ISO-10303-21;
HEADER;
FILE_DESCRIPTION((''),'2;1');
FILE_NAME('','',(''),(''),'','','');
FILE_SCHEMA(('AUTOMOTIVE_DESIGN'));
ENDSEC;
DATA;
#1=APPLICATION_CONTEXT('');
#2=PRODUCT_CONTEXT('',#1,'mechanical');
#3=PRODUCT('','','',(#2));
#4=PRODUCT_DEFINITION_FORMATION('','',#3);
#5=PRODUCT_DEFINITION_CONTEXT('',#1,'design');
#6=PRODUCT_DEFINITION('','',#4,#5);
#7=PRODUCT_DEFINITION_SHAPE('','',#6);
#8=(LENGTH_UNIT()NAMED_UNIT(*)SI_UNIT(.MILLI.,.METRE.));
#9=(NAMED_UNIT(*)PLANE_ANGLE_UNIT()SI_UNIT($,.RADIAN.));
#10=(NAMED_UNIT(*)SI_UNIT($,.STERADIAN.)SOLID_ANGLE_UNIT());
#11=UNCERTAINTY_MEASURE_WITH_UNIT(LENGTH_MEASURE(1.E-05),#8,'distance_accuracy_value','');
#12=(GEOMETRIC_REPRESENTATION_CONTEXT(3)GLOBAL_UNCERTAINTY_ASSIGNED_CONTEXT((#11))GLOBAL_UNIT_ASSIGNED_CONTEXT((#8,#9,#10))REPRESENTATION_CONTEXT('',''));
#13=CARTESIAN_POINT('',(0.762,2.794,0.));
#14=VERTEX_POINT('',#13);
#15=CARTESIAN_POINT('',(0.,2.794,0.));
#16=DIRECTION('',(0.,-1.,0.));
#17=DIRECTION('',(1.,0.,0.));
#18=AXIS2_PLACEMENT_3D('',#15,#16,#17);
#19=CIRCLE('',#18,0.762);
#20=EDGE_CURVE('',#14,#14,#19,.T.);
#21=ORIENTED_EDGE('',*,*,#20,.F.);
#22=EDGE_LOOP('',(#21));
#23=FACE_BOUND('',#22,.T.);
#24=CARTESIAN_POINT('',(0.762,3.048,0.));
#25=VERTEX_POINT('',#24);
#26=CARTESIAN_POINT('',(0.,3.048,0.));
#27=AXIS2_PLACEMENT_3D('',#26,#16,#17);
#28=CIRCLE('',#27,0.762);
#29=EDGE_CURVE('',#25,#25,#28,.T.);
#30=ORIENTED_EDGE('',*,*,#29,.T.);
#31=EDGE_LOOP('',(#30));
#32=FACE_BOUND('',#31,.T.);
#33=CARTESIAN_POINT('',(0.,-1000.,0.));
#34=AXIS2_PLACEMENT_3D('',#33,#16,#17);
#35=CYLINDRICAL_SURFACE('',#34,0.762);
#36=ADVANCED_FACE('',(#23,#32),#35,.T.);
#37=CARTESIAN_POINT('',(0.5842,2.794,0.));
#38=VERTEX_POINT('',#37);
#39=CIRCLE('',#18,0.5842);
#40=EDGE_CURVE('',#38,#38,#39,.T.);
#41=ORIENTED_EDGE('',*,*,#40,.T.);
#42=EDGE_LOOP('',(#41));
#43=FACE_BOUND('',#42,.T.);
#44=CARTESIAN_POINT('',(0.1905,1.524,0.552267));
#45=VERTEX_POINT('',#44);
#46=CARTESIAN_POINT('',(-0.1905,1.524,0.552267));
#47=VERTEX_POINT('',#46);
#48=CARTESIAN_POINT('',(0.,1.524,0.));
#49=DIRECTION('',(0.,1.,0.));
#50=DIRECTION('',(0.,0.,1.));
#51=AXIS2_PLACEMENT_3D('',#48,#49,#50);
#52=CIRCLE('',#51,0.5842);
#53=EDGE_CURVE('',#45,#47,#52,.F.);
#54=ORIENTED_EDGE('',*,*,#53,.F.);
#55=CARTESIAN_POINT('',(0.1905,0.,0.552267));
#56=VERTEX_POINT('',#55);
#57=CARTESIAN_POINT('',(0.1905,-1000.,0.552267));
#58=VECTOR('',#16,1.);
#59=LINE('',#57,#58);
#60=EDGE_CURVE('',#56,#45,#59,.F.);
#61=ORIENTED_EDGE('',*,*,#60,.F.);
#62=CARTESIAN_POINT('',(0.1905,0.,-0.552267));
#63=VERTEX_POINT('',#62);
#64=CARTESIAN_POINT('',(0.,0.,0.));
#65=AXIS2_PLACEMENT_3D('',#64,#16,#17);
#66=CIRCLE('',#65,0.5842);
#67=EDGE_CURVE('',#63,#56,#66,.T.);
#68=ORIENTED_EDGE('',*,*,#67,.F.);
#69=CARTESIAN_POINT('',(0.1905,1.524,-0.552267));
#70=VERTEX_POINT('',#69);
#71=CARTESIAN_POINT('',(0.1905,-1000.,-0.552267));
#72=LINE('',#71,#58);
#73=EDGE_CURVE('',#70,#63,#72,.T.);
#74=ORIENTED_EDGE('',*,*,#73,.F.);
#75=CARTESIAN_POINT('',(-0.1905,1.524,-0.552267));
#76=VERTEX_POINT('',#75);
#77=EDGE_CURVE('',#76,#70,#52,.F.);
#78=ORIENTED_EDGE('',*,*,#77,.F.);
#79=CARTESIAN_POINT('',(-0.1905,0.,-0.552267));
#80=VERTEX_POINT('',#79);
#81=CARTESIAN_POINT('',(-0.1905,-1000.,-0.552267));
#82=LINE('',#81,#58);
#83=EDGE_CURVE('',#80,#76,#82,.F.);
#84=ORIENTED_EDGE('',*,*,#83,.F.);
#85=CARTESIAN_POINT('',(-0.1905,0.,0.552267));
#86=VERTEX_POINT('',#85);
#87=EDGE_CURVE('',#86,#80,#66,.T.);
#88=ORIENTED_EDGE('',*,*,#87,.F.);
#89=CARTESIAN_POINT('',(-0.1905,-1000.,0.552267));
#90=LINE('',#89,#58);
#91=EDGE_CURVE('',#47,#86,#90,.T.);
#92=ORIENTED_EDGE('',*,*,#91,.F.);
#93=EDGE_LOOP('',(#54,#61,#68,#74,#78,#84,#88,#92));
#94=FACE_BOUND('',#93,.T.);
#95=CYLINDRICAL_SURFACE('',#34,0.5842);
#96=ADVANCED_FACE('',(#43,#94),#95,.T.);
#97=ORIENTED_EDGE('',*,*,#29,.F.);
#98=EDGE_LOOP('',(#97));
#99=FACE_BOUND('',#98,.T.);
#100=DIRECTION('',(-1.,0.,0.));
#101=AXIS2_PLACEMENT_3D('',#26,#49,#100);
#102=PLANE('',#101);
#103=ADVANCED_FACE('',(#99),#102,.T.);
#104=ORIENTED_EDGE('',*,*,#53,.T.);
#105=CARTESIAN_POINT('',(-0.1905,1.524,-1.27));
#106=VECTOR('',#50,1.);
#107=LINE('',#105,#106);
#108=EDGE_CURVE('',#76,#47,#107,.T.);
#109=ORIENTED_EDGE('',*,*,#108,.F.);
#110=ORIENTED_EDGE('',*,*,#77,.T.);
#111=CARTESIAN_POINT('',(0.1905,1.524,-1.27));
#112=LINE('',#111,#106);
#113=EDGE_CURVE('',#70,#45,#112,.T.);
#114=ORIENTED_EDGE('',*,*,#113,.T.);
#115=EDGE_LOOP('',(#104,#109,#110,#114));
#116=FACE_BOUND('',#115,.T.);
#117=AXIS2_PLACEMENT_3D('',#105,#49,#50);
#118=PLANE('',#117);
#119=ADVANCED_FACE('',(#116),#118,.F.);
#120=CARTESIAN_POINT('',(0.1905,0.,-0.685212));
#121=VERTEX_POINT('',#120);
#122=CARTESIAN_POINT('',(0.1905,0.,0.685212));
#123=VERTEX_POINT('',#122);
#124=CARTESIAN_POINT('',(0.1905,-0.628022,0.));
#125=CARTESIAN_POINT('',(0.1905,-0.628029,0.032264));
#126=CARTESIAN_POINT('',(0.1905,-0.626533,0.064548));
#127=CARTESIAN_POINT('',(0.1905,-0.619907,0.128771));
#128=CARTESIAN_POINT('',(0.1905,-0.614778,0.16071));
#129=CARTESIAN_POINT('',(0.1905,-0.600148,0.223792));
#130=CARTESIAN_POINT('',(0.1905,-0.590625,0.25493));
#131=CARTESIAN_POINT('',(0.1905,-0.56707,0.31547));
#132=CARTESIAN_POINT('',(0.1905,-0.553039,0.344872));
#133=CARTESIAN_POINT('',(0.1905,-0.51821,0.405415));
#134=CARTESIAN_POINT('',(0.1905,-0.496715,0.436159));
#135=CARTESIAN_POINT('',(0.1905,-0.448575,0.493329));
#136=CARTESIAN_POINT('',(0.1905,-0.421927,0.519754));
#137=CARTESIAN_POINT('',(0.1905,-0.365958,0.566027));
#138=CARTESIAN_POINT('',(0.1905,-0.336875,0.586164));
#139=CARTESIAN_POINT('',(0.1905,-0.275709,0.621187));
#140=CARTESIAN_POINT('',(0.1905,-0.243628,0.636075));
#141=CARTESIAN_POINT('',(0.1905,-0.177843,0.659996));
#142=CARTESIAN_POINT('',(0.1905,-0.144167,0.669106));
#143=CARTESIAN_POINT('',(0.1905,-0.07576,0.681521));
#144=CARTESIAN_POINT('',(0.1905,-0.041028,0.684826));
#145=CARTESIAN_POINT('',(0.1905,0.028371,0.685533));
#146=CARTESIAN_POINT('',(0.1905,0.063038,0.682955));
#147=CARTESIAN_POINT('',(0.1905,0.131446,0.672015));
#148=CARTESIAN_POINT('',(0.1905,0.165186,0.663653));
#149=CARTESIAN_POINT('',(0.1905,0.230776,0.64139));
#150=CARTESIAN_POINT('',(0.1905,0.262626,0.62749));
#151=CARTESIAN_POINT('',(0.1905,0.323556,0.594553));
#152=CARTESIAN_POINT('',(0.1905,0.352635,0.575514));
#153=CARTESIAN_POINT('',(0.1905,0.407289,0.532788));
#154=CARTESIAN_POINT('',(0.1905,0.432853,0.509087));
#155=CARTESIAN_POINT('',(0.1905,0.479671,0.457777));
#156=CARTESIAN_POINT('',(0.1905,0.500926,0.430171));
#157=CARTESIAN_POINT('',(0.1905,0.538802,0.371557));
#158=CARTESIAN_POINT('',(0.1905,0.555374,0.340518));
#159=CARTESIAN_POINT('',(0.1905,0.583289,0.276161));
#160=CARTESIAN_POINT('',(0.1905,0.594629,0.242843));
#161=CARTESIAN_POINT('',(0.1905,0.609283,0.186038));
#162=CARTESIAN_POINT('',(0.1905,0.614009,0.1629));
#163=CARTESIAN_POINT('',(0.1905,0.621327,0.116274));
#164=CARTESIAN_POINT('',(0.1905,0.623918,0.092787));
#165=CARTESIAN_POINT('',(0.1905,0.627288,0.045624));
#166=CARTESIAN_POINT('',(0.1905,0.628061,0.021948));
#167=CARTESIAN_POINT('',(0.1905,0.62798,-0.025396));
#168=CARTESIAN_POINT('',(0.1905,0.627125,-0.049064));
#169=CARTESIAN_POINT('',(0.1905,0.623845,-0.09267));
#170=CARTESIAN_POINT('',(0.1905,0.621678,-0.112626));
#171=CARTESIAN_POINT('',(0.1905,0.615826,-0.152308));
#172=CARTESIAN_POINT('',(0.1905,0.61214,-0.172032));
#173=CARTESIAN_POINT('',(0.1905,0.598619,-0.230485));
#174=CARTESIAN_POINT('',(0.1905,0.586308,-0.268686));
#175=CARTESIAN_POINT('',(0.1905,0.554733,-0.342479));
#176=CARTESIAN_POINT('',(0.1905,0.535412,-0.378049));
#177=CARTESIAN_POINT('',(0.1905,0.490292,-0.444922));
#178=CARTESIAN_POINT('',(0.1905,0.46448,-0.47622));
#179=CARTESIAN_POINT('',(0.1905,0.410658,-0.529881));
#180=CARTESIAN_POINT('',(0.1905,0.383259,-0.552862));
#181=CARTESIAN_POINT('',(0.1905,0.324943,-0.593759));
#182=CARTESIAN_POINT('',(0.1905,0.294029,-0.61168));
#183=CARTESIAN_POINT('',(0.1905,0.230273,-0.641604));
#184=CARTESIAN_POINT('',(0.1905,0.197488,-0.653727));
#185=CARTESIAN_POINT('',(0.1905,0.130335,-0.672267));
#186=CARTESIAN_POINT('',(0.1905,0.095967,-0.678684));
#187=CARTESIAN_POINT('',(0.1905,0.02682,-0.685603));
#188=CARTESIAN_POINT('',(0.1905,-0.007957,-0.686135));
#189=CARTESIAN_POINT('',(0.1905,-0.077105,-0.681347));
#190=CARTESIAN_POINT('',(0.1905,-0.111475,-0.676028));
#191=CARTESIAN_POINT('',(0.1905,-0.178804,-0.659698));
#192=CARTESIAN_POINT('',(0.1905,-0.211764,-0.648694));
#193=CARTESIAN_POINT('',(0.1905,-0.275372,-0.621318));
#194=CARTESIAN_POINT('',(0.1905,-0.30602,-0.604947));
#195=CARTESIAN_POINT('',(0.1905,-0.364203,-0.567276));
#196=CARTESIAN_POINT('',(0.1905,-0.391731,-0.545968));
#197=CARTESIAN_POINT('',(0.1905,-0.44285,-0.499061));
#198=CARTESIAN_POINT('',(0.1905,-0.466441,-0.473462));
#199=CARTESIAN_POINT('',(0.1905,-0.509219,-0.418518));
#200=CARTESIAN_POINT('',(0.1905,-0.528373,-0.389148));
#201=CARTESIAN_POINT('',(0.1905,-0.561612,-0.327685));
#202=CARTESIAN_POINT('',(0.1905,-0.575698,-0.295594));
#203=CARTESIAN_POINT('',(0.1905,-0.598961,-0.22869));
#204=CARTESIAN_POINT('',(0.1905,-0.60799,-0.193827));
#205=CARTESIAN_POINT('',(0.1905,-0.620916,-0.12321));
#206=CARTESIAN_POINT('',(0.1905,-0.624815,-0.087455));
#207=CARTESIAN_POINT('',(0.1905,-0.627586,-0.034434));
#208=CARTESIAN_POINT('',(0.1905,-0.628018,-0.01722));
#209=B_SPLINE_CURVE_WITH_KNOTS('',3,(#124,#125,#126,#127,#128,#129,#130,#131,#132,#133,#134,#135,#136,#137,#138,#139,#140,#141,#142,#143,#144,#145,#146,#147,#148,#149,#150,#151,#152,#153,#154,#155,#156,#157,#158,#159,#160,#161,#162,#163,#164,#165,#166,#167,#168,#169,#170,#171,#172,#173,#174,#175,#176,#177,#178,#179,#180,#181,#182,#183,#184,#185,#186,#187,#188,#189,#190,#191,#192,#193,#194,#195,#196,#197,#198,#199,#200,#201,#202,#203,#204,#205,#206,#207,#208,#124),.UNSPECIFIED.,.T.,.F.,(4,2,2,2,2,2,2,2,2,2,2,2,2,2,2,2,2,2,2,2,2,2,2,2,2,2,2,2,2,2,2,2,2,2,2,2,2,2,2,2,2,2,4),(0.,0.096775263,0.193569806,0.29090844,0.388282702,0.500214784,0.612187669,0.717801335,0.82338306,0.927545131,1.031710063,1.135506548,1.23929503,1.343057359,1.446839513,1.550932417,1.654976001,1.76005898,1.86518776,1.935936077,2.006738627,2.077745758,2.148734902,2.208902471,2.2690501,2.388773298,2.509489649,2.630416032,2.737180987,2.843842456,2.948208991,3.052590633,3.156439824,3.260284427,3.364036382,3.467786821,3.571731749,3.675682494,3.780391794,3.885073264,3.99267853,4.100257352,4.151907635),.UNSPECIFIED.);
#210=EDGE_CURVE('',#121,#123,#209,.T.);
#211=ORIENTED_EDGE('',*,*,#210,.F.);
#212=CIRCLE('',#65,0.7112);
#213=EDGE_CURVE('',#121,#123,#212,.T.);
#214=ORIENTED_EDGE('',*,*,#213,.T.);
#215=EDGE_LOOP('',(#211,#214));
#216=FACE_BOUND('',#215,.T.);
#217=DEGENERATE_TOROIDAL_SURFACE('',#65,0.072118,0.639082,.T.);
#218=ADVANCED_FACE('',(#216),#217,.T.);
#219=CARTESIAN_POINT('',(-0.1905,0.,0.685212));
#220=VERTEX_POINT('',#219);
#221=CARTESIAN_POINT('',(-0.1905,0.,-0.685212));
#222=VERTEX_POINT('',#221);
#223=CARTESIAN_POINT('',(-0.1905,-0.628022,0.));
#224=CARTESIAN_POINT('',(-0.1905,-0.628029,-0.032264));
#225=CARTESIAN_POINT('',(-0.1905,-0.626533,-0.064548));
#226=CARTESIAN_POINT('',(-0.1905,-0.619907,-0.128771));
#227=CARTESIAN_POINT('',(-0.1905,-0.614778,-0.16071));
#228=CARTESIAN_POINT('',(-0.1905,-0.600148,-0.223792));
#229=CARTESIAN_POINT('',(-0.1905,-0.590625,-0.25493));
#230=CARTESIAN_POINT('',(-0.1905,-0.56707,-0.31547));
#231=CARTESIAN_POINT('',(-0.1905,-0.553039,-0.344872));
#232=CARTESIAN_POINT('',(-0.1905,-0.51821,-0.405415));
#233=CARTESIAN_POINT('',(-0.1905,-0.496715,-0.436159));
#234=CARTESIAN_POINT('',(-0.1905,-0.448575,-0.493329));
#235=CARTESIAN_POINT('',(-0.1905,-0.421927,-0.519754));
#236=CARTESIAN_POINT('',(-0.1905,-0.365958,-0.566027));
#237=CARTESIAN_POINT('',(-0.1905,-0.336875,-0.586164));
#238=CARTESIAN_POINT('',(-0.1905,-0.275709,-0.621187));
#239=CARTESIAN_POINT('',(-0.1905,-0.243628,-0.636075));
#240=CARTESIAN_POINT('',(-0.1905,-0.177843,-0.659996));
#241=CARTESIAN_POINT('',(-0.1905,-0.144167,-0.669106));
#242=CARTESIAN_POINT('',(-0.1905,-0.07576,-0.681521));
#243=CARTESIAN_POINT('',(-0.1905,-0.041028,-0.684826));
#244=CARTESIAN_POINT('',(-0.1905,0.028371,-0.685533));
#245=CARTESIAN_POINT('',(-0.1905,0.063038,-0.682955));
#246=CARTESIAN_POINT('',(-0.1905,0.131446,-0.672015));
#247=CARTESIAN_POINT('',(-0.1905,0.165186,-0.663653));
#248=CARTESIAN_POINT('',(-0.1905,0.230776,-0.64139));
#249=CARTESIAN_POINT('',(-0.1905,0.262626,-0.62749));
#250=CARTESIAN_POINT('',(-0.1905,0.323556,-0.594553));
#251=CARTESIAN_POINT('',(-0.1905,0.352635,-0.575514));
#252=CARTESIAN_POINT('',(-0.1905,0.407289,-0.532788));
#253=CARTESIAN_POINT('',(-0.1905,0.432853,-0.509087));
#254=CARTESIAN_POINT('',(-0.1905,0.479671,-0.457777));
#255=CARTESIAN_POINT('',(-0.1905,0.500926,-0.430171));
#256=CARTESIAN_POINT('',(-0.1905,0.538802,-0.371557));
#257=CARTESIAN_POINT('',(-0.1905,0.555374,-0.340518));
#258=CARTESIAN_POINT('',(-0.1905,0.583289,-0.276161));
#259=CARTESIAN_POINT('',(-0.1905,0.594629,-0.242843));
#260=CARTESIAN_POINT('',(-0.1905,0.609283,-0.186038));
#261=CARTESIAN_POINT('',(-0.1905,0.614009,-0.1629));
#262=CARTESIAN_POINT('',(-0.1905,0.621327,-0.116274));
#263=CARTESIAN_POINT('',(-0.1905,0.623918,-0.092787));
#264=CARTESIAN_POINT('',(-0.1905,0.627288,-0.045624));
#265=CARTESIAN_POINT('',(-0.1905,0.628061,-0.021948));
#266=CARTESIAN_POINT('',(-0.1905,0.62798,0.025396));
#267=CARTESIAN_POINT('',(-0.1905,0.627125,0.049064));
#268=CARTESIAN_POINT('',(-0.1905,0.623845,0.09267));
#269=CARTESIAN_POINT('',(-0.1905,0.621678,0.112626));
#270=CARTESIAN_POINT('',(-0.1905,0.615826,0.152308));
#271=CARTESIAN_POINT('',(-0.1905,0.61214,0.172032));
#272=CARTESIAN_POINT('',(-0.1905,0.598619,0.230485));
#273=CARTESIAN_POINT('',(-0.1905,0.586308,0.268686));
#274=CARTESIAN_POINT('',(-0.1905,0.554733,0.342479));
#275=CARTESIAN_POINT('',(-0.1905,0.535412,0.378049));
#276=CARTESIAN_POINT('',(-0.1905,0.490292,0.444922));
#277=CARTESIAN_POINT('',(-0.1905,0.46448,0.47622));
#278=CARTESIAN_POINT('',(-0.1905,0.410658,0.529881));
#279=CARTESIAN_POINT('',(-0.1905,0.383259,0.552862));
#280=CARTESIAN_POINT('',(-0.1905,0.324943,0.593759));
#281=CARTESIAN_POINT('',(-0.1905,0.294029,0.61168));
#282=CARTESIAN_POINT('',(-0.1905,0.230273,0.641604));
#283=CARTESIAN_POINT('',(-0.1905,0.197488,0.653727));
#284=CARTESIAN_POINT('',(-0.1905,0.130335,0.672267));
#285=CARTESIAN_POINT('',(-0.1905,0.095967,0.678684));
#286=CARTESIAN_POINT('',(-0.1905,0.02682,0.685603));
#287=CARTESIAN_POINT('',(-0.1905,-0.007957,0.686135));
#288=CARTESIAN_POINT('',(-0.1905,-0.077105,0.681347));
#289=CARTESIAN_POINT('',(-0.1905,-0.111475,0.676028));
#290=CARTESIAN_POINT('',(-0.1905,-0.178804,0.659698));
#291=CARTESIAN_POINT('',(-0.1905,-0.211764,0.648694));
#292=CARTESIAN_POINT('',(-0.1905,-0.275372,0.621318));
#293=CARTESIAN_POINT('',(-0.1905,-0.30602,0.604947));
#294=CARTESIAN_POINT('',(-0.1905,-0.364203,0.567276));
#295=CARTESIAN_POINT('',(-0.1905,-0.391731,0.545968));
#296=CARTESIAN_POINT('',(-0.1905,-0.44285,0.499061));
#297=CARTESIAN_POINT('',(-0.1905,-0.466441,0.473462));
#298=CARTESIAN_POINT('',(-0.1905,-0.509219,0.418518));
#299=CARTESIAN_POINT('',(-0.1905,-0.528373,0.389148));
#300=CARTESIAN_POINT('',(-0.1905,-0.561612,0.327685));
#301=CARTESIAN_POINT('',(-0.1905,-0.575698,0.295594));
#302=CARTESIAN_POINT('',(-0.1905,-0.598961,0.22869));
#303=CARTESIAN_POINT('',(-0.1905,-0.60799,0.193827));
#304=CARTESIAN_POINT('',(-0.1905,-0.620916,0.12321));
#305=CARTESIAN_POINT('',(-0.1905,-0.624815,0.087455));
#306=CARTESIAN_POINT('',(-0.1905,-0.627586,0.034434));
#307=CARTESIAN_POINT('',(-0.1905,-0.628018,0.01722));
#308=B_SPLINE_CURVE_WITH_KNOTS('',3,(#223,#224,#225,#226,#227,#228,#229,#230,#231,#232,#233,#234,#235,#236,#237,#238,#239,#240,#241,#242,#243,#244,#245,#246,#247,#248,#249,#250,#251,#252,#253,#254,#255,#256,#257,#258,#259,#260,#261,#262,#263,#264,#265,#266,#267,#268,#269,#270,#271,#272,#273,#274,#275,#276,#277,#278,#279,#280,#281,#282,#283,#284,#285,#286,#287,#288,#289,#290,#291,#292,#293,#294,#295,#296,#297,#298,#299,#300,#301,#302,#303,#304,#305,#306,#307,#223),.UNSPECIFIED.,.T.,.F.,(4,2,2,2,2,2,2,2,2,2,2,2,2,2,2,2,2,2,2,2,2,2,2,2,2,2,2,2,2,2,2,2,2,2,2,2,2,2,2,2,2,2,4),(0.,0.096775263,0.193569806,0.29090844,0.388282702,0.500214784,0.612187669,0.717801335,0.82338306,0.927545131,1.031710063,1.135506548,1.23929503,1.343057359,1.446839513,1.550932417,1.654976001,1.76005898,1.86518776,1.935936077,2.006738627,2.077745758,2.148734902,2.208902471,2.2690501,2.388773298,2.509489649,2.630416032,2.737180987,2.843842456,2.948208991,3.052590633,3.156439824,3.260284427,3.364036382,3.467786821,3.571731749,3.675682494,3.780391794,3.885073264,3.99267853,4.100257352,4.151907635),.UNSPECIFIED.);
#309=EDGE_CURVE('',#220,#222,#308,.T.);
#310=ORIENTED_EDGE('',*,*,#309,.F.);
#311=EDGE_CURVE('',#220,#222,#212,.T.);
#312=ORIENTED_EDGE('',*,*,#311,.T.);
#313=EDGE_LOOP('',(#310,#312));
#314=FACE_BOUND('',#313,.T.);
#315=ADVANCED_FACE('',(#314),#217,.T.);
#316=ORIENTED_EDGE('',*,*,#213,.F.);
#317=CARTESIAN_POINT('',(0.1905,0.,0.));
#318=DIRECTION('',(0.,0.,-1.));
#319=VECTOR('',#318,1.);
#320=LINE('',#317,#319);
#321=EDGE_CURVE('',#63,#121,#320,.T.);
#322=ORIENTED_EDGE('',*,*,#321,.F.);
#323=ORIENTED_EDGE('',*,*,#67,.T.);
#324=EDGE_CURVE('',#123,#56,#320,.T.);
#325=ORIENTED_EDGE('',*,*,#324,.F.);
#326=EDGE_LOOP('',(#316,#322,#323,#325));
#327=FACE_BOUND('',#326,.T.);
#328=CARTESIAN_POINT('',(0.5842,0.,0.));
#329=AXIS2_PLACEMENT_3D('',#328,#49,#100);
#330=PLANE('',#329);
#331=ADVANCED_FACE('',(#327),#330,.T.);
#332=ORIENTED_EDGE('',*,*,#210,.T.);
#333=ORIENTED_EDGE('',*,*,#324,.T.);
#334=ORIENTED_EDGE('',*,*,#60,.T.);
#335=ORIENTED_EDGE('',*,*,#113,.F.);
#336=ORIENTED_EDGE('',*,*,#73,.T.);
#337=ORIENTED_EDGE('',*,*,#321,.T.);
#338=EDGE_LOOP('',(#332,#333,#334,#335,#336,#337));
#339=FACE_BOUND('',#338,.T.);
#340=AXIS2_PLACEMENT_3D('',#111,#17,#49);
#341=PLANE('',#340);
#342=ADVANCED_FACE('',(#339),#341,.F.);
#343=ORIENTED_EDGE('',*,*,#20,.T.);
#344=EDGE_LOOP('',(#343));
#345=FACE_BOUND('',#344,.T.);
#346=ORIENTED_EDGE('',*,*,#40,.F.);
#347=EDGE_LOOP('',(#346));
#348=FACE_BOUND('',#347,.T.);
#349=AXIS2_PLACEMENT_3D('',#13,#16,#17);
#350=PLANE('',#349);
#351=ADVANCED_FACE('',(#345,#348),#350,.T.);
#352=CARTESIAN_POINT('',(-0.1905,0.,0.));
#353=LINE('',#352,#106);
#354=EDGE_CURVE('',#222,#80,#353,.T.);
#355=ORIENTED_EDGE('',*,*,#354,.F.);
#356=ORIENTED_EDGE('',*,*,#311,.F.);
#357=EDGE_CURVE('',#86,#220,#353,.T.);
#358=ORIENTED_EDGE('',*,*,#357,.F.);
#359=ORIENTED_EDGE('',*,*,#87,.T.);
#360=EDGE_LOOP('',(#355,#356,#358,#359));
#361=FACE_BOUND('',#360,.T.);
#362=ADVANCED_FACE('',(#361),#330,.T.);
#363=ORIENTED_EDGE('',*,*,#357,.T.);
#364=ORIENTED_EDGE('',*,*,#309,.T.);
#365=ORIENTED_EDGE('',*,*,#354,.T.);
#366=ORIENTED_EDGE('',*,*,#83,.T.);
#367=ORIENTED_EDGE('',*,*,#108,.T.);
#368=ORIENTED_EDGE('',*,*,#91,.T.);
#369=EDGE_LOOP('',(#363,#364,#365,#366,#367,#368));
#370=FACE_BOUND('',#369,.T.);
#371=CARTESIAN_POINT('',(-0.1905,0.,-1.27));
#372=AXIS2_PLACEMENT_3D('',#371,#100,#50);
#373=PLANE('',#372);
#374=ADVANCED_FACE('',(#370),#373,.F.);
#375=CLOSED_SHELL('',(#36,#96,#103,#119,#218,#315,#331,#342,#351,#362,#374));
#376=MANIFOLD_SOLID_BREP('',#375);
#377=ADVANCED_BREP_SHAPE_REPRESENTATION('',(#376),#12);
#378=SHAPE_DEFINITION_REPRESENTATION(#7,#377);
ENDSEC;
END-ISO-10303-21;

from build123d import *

# Parameters (mm, degrees)
CUT_EXTRUDE11_DEPTH = 1.27


with BuildPart() as part:
    # Sketch1 → Revolve1 (revolve)
    with BuildSketch(Plane.XY):
        with BuildLine():
            Line((0, 0), (0, 3.048))
            Line((0, 3.048), (0.762, 3.048))
            Line((0.762, 3.048), (0.762, 2.794))
            Line((0.762, 2.794), (0.5842, 2.794))
            Line((0.5842, 2.794), (0.5842, 0))
            Line((0.5842, 0), (0.7112, 0))
            ThreePointArc((0.7112, 0), (0.497756642, -0.476715439), (0, -0.635))
            Line((0, -0.635), (0, 0))
        make_face()
    revolve(axis=Axis((0, -1000, 0), (0, 1, 0)))

    # Sketch4 → Cut-Extrude11 (cut, symmetric)
    with BuildSketch(Plane.XY):
        Polygon((-0.1905, 0), (-0.1905, 1.524), (0.1905, 1.524), (0.1905, -0.6604), (-0.1905, -0.6604), align=None)
    extrude(amount=CUT_EXTRUDE11_DEPTH, both=True, mode=Mode.SUBTRACT)


solid = part.part
